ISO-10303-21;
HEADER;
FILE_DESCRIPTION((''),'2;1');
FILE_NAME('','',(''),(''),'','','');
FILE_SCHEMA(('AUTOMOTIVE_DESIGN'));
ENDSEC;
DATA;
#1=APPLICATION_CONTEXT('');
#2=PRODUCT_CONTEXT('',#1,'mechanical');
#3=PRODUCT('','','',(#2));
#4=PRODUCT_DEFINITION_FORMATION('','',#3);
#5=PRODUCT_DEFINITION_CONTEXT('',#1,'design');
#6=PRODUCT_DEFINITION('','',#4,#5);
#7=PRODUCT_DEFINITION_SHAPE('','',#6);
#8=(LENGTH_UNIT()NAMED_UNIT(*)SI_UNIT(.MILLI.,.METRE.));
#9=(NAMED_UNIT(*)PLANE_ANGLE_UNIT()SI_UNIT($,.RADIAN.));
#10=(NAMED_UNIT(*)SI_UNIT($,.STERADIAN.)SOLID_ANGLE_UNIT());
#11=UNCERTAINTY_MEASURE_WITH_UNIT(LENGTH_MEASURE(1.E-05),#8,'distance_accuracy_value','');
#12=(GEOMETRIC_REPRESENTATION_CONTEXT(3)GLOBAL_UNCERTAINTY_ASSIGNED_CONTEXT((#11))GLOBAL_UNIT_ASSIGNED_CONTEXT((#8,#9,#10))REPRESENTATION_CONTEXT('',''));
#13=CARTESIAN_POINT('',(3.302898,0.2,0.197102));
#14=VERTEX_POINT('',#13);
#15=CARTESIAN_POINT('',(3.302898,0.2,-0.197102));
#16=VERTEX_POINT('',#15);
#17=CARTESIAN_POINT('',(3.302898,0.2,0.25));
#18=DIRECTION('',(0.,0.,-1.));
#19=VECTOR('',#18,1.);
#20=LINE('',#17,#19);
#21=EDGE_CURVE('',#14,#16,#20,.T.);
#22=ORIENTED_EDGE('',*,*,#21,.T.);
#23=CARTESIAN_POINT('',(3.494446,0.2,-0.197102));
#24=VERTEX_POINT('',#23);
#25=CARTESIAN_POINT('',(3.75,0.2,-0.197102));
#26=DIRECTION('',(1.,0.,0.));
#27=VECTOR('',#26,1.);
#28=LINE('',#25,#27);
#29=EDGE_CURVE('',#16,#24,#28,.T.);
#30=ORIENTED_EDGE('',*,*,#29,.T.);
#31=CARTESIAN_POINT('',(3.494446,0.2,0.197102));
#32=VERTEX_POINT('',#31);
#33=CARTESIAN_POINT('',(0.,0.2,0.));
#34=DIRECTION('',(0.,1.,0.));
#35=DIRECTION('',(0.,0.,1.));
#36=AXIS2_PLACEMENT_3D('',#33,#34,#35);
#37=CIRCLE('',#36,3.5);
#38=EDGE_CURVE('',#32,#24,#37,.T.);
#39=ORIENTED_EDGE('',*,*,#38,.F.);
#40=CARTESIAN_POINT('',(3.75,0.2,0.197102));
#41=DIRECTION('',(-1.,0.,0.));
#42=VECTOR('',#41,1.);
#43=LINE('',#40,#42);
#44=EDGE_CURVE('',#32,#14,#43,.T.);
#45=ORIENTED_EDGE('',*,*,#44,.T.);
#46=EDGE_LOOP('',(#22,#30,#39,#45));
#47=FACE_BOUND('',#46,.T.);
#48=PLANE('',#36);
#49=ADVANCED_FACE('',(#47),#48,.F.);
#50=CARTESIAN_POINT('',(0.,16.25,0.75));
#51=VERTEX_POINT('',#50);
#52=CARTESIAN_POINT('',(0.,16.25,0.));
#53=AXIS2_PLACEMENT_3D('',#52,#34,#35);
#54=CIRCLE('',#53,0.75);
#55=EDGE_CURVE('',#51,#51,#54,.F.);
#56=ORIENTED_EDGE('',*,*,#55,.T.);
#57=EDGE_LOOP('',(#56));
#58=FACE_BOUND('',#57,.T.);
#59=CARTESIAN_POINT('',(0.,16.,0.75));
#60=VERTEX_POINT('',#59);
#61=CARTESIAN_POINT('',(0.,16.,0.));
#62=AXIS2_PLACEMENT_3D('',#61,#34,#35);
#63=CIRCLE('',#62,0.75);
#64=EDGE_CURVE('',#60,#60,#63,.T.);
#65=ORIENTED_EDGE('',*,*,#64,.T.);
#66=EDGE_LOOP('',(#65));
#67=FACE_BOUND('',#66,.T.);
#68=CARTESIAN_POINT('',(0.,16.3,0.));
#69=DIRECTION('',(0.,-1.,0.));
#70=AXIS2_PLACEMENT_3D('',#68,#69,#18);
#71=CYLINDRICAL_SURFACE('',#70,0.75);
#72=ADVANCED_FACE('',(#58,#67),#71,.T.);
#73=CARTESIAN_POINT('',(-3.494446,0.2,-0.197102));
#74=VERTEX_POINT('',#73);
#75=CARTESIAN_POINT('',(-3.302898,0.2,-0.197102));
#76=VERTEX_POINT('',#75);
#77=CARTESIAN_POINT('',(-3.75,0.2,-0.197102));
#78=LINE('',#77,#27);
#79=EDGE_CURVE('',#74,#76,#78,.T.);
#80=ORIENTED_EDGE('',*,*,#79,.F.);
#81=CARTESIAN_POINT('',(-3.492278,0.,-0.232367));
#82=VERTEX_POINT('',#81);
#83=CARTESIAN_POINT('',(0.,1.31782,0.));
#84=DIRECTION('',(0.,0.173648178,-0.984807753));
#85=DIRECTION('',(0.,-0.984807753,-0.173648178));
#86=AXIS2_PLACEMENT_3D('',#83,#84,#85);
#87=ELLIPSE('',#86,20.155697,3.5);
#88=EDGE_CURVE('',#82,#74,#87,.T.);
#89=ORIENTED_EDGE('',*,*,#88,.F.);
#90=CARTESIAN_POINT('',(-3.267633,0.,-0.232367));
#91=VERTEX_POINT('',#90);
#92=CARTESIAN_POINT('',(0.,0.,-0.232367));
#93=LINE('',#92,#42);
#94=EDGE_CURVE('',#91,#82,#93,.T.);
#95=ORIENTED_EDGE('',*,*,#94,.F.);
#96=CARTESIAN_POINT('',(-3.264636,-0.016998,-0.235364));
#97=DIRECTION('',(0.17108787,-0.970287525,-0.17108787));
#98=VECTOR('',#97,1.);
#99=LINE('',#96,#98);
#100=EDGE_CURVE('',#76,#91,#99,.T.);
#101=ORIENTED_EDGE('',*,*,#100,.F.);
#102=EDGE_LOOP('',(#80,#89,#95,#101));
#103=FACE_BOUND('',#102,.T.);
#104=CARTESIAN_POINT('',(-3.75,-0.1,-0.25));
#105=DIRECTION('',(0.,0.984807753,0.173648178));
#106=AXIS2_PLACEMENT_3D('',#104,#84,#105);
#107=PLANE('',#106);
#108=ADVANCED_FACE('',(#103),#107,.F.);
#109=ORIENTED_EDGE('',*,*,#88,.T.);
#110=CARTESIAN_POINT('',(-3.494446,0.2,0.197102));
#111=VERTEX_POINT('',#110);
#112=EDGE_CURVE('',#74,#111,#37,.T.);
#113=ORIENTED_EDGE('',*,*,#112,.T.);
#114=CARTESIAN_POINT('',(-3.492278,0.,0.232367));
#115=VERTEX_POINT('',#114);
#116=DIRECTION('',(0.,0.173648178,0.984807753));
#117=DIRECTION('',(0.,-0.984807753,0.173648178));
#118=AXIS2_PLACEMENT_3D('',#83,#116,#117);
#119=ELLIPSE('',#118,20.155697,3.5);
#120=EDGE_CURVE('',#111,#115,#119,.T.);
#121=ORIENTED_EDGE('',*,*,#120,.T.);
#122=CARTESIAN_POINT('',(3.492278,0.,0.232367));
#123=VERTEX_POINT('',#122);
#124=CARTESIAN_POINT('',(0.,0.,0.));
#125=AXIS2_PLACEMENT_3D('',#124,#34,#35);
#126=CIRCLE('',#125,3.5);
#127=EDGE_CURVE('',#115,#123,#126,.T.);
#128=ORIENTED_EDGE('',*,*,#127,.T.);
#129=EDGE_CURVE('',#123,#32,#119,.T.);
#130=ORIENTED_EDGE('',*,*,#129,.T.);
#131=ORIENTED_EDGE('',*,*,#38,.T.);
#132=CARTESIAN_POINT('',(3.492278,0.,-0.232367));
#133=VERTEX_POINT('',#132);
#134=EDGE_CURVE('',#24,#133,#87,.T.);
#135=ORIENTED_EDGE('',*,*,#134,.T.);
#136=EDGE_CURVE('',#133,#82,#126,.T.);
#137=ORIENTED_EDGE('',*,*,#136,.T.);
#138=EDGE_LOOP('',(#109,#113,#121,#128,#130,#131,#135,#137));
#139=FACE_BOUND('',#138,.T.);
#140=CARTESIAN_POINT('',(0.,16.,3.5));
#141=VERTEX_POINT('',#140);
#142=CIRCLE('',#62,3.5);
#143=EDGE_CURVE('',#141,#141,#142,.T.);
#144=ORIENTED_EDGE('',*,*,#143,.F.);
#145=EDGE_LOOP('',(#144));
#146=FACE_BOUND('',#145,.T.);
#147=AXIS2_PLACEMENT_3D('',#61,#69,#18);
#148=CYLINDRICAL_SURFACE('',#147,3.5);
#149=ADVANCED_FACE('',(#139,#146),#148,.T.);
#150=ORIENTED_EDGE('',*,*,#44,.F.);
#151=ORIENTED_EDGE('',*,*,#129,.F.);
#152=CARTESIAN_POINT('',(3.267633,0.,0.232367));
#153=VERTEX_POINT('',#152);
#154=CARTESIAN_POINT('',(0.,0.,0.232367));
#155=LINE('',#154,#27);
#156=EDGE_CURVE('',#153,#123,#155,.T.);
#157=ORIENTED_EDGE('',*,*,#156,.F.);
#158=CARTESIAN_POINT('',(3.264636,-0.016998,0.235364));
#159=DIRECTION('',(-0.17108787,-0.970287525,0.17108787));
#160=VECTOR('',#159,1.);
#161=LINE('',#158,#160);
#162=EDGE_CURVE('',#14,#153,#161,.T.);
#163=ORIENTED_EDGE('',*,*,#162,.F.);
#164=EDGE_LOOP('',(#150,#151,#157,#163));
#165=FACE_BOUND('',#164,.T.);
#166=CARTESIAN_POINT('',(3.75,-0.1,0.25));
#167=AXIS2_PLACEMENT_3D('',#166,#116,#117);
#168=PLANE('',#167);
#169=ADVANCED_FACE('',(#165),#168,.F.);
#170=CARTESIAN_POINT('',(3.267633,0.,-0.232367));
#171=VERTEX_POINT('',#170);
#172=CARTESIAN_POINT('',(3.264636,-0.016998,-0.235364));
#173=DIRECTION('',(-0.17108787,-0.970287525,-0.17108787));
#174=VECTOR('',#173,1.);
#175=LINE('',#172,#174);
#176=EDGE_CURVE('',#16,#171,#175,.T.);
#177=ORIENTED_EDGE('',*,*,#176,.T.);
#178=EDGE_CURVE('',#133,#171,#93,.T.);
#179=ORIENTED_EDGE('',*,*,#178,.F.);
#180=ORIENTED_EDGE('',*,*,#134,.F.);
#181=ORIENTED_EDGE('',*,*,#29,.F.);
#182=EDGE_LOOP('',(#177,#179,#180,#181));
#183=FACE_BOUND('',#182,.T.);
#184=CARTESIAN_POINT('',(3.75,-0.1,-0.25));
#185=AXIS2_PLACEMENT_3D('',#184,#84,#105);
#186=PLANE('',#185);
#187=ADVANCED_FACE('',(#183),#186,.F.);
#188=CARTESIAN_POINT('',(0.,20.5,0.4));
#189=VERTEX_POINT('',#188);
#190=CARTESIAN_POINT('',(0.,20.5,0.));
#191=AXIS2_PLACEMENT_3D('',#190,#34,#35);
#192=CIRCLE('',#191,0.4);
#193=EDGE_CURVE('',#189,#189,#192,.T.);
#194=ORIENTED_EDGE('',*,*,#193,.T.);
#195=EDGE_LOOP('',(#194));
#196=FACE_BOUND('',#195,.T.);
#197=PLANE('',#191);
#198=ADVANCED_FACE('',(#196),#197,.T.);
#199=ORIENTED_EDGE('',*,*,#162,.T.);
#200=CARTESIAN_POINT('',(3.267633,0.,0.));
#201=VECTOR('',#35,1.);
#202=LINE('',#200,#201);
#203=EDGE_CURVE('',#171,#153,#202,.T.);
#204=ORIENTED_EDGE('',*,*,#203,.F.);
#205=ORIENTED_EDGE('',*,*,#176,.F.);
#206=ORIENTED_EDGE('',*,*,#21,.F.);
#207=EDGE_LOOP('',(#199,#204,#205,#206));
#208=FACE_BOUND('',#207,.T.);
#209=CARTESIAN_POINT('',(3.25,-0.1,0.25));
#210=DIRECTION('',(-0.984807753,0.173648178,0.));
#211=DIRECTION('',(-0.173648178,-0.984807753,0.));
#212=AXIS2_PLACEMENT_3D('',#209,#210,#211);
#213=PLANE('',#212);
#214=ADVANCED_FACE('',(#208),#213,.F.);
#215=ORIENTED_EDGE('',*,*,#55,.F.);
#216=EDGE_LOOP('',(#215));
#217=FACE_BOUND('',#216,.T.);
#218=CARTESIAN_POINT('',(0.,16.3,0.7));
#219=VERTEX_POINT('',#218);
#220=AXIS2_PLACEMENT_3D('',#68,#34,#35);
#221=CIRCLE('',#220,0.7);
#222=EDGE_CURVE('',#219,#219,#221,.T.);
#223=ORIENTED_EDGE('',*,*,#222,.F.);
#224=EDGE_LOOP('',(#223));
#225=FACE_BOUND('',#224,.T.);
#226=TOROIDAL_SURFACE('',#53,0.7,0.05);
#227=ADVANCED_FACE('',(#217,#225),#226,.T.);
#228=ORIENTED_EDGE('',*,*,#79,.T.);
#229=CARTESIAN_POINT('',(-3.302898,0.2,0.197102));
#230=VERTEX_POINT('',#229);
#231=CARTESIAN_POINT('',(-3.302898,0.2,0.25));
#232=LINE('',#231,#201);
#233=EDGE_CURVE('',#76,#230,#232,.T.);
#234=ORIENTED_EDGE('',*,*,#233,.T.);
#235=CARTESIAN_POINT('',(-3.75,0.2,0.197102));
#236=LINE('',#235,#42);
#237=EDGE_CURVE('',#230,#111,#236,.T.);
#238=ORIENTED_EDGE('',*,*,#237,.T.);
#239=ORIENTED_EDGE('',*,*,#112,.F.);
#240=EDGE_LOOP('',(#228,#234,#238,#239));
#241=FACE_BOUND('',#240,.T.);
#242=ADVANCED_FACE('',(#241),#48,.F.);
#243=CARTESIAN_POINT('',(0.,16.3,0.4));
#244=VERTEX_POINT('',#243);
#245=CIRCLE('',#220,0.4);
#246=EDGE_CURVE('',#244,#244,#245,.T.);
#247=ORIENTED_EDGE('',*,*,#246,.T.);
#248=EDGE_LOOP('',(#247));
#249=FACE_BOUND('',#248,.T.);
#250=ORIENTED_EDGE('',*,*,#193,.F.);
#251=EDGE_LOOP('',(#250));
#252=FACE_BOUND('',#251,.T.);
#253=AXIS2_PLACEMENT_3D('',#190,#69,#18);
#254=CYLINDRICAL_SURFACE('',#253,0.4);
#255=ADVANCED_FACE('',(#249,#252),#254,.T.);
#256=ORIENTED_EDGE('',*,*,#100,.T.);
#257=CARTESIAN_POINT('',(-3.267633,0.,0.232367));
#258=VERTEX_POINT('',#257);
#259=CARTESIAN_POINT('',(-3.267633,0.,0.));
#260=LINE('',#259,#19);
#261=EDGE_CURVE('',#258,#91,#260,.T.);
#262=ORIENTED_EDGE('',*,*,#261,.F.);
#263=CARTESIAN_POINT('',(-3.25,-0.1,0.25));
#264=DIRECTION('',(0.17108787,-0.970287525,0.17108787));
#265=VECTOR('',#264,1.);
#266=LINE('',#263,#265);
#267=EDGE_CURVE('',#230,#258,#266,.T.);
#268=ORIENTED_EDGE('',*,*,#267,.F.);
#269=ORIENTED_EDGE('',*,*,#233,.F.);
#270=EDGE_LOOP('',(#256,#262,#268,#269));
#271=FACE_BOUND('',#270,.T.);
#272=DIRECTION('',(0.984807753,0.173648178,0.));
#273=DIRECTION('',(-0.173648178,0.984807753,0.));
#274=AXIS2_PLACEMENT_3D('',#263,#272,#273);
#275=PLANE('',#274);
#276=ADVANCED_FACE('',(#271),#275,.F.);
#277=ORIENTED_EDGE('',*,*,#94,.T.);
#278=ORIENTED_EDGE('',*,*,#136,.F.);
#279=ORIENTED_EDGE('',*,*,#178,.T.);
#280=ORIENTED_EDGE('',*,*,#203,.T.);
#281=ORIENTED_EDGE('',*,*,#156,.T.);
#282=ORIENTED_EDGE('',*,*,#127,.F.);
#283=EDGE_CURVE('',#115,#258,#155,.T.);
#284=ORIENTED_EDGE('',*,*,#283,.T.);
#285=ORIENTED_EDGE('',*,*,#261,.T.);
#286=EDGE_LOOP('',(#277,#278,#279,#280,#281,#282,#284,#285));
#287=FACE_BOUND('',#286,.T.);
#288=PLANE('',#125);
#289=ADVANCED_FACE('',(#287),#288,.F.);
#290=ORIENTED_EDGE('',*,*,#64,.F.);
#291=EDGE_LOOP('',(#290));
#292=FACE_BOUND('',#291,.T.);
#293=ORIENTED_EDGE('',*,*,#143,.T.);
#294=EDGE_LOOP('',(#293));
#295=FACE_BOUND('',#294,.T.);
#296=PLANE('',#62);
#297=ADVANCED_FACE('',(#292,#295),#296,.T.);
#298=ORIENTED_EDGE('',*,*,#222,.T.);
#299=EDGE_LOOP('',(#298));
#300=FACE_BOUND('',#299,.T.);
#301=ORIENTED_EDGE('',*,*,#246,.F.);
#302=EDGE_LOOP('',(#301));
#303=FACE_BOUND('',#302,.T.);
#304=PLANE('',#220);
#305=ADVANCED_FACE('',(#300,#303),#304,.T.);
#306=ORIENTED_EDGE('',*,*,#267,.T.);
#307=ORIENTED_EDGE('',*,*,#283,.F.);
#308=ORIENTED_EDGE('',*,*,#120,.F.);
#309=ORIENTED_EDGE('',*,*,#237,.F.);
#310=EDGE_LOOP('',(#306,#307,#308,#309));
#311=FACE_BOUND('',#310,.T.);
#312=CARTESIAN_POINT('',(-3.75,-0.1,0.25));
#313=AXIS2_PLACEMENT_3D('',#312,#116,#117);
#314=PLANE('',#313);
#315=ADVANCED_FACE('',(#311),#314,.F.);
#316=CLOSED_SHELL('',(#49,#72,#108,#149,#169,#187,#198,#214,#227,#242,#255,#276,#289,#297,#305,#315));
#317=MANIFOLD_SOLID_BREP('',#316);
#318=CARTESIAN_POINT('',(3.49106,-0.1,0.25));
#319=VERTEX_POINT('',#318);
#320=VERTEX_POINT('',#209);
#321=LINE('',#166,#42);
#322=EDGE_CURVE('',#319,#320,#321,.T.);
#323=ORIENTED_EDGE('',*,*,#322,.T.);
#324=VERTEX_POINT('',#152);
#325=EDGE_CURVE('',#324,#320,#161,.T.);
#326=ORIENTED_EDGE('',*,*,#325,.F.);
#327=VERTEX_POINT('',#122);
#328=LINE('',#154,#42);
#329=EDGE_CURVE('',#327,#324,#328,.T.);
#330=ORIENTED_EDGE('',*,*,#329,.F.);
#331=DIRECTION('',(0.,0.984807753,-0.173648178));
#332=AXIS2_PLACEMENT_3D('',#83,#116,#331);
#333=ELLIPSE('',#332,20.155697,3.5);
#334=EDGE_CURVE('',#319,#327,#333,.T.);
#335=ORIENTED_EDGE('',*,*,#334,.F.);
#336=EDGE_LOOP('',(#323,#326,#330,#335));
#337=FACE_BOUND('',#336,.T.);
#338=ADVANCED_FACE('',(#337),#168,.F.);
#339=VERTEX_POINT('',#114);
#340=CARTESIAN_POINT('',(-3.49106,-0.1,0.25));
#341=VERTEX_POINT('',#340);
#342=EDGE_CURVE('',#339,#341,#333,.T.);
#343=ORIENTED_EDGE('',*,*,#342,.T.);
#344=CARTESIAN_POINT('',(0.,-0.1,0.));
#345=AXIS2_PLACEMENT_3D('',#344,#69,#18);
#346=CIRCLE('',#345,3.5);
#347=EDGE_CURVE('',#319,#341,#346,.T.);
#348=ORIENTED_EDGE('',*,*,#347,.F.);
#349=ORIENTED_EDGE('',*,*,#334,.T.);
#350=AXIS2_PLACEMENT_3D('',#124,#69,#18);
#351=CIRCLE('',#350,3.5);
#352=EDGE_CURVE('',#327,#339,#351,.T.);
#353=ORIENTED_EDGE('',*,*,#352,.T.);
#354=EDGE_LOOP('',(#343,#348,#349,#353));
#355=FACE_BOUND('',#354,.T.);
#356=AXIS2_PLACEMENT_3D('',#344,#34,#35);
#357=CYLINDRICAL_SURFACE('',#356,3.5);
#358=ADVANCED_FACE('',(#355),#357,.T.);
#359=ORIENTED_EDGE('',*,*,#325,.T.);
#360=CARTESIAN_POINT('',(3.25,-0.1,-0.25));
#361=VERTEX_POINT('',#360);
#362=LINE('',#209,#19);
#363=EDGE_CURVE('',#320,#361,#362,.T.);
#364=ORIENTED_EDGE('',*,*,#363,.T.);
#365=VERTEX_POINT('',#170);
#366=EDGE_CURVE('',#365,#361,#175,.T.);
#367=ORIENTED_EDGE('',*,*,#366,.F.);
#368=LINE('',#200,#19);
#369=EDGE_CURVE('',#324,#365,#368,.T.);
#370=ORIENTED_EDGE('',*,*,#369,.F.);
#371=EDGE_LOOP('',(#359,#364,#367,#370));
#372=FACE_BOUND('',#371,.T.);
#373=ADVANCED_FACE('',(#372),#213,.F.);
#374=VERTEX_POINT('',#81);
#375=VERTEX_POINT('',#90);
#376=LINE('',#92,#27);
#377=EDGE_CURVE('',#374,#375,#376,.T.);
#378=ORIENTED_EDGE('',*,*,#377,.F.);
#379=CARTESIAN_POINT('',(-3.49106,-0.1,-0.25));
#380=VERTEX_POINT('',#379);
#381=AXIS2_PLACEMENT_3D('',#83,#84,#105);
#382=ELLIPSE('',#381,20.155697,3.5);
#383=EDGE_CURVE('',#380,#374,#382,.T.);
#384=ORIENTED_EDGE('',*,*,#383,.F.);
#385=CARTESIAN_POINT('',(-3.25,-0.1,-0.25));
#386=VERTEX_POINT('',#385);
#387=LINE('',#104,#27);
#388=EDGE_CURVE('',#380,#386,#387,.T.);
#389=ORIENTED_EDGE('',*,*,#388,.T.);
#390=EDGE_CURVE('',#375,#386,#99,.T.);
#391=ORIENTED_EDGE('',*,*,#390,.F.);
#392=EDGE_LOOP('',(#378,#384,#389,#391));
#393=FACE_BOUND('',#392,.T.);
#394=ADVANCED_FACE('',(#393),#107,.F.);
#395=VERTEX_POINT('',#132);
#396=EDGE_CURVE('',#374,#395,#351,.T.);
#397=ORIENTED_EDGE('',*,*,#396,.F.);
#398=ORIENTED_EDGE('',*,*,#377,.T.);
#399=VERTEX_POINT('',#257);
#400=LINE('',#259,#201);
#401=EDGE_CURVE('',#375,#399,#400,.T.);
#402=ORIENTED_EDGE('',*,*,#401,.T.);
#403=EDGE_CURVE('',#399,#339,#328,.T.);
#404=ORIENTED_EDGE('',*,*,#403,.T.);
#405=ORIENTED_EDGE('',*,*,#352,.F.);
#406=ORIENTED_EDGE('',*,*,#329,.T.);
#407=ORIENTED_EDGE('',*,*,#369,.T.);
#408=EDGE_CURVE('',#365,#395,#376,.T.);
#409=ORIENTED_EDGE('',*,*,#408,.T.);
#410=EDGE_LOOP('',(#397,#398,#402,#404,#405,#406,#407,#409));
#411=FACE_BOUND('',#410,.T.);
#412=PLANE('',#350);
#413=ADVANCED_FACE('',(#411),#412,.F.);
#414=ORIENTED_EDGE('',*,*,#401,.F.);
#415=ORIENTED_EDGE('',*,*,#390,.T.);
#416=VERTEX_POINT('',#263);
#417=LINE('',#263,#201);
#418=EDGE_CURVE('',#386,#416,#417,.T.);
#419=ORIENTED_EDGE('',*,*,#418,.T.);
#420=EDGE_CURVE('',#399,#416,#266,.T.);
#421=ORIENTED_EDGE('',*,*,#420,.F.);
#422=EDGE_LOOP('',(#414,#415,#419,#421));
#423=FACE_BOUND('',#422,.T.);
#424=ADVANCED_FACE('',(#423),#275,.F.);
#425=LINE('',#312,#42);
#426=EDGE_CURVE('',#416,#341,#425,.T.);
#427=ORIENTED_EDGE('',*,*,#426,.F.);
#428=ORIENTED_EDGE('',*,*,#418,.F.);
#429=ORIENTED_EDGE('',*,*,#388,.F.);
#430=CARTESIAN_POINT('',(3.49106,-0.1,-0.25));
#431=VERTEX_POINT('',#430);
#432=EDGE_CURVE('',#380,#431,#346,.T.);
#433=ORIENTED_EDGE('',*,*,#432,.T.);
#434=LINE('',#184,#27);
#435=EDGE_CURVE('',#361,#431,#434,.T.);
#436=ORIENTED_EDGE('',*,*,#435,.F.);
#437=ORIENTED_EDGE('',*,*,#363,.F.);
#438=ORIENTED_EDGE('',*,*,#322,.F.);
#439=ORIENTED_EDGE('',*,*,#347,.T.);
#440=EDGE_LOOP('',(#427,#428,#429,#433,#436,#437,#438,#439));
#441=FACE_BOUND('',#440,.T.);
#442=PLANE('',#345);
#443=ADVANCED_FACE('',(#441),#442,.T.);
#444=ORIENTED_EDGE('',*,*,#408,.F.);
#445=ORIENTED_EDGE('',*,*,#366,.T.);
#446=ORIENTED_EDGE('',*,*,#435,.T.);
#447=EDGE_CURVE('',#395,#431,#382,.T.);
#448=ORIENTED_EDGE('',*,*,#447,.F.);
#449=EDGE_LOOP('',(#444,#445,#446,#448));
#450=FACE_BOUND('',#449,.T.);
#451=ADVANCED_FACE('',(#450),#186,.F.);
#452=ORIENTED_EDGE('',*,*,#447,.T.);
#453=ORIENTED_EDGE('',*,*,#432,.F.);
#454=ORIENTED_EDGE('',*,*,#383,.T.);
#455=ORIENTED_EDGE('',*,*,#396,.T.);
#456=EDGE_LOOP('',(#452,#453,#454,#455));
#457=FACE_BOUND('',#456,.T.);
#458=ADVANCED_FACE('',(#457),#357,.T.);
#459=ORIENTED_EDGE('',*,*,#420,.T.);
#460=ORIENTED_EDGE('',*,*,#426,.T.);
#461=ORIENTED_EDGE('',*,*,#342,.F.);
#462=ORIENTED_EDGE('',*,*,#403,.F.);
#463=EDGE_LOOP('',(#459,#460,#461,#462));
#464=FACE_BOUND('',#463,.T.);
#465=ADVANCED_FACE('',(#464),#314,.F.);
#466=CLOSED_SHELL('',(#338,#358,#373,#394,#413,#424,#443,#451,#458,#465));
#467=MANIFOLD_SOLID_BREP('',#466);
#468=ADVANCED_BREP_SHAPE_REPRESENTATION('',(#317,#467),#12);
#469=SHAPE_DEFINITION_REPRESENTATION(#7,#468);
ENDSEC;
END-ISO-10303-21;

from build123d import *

# Parameters (mm, degrees)
SKETCH_1_R                    = 3.5
EXTRUDE_1_DEPTH               = 16
SKETCH_3_R                    = 0.4
EXTRUDE_2_DEPTH               = 4.5
SKETCH_4_R                    = 0.75
EXTRUDE_3_DEPTH               = 0.3
FILLET_1_R                    = 0.05
SKETCH_5_R                    = 3.5
EXTRUDE_4_DEPTH               = 0.1
SKETCH_6_W                    = 0.5
SKETCH_6_H                    = 0.5
CUT_EXTRUDE_1_DEPTH           = 0.3
CUT_EXTRUDE_1_DRAFT           = -10
CUT_EXTRUDE_1_PROFILE_2_DEPTH = 0.3
CUT_EXTRUDE_1_PROFILE_2_DRAFT = -10


with BuildPart() as part:
    # 草图1 → 凸台-拉伸1 (new body)
    with BuildSketch(Plane(origin=(0, 0, 0), x_dir=(1, 0, 0), z_dir=(0, 1, 0))):
        with Locations(Location((0, 0, 0), (0, 0, 270))):
            Circle(SKETCH_1_R)
    extrude(amount=EXTRUDE_1_DEPTH)

    # 草图3 → 凸台-拉伸2 (add)
    with BuildSketch(Plane(origin=(0, 16, 0), x_dir=(1, 0, 0), z_dir=(0, 1, 0))):
        with Locations(Location((0, 0, 0), (0, 0, 270))):
            Circle(SKETCH_3_R)
    extrude(amount=EXTRUDE_2_DEPTH)

    # 草图4 → 凸台-拉伸3 (add)
    with BuildSketch(Plane(origin=(0, 16, 0), x_dir=(1, 0, 0), z_dir=(0, 1, 0))):
        with Locations(Location((0, 0, 0), (0, 0, 270))):
            Circle(SKETCH_4_R)
    extrude(amount=EXTRUDE_3_DEPTH)

    # 圆角1
    fillet_1_edges = [part.edges().sort_by_distance(p)[0] for p in [
        (0, 16.3, -0.75),
    ]]
    fillet(fillet_1_edges, radius=FILLET_1_R)


with BuildPart() as body_2:
    # 草图5 → 凸台-拉伸4 (new body)
    with BuildSketch(Plane.XZ):
        with Locations(Location((0, 0, 0), (0, 0, 270))):
            Circle(SKETCH_5_R)
    extrude(amount=EXTRUDE_4_DEPTH)


with BuildPart() as cut_extrude_1_tool:
    # 草图6 → 切除-拉伸1 (with draft: the straight prism first)
    with BuildSketch(Plane.XZ.offset(0.1)):
        with Locations((3.5, 0)):
            Rectangle(SKETCH_6_W, SKETCH_6_H)
    extrude(amount=-CUT_EXTRUDE_1_DEPTH)
    # 切除-拉伸1: the draft: its side faces are tilted about the plane it starts from
    cut_extrude_1_sides = [cut_extrude_1_tool.faces().sort_by_distance(p)[0] for p in [
        (3.5, 0.05, 0.25),
        (3.25, 0.05, 0),
        (3.5, 0.05, -0.25),
        (3.75, 0.05, 0),
    ]]
    draft(cut_extrude_1_sides, Plane.XZ.offset(0.1), CUT_EXTRUDE_1_DRAFT)


with BuildPart() as part_1:
    add(part.part)

    # 切除-拉伸1: cut by cut_extrude_1_tool
    add(cut_extrude_1_tool.part, mode=Mode.SUBTRACT)


with BuildPart() as body_2_1:
    add(body_2.part)

    # 切除-拉伸1: cut by cut_extrude_1_tool
    add(cut_extrude_1_tool.part, mode=Mode.SUBTRACT)


with BuildPart() as cut_extrude_1_profile_2_tool:
    # 草图6 → 切除-拉伸1 profile 2 (with draft: the straight prism first)
    with BuildSketch(Plane.XZ.offset(0.1)):
        with Locations((-3.5, 0)):
            Rectangle(SKETCH_6_W, SKETCH_6_H)
    extrude(amount=-CUT_EXTRUDE_1_PROFILE_2_DEPTH)
    # 切除-拉伸1 profile 2: the draft: its side faces are tilted about the plane it starts from
    cut_extrude_1_profile_2_sides = [cut_extrude_1_profile_2_tool.faces().sort_by_distance(p)[0] for p in [
        (-3.5, 0.05, 0.25),
        (-3.75, 0.05, 0),
        (-3.5, 0.05, -0.25),
        (-3.25, 0.05, 0),
    ]]
    draft(cut_extrude_1_profile_2_sides, Plane.XZ.offset(0.1), CUT_EXTRUDE_1_PROFILE_2_DRAFT)


with BuildPart() as part_2:
    add(part_1.part)

    # 切除-拉伸1 profile 2: cut by cut_extrude_1_profile_2_tool
    add(cut_extrude_1_profile_2_tool.part, mode=Mode.SUBTRACT)


with BuildPart() as body_2_2:
    add(body_2_1.part)

    # 切除-拉伸1 profile 2: cut by cut_extrude_1_profile_2_tool
    add(cut_extrude_1_profile_2_tool.part, mode=Mode.SUBTRACT)


solid = Compound([part_2.part, body_2_2.part])
